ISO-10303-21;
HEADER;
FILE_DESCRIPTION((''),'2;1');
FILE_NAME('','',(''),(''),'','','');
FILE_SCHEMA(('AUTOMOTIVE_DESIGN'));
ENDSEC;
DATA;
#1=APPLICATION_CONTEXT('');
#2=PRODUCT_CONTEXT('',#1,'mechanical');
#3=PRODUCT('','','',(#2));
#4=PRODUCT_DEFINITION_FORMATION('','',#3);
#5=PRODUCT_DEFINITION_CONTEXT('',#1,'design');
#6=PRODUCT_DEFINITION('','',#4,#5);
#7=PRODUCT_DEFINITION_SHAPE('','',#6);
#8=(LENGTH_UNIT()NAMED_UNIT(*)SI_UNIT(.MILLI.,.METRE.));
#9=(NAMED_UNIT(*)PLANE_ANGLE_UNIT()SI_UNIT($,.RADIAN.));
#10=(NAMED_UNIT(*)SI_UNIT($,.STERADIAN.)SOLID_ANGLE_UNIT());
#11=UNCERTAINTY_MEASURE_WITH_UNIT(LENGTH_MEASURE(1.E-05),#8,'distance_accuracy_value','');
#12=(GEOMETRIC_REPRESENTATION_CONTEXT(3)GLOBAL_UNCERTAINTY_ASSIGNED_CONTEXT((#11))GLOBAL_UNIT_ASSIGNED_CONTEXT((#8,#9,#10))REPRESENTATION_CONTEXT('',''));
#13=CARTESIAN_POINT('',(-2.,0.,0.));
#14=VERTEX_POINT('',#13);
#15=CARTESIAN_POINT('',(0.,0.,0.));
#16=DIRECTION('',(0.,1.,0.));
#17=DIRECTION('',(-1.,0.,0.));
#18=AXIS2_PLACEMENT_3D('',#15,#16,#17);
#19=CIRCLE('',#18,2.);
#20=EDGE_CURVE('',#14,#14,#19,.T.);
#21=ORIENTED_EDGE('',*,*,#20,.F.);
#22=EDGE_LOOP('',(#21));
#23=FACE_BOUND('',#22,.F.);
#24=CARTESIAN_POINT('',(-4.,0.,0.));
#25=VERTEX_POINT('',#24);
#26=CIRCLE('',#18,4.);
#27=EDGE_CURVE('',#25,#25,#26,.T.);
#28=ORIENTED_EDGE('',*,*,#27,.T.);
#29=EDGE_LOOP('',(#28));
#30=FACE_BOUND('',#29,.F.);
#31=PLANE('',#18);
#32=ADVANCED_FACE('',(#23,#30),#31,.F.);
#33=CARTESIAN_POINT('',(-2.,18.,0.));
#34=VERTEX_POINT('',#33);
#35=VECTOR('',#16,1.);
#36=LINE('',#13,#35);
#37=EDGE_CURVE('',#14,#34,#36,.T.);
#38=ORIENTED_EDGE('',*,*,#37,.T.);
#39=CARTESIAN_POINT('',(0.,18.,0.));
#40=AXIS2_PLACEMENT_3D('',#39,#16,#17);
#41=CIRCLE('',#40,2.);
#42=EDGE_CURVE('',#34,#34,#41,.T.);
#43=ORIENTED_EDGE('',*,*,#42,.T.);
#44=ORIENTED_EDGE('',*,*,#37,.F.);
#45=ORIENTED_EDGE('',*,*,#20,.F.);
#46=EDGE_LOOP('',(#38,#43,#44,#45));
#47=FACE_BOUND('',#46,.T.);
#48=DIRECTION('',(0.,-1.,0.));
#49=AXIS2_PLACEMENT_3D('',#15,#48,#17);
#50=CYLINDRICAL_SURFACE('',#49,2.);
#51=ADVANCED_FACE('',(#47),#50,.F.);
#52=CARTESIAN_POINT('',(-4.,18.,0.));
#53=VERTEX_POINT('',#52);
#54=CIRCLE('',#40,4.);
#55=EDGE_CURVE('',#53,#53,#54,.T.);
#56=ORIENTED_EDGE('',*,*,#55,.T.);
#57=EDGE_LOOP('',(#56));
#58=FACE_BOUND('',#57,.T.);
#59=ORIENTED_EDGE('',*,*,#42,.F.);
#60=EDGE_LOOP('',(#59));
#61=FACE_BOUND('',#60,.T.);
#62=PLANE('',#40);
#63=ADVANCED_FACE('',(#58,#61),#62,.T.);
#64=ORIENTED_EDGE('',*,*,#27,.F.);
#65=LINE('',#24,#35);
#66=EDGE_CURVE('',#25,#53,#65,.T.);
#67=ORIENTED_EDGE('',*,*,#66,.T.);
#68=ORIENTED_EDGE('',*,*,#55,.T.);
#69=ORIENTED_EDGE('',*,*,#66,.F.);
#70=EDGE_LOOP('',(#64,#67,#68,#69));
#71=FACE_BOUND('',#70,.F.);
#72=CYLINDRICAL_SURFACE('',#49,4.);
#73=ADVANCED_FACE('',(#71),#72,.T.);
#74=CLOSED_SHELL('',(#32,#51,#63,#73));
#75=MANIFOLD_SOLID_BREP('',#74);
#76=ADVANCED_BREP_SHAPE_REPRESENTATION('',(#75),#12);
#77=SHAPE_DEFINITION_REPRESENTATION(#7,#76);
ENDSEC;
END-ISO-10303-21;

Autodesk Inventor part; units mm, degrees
ref_plane "YZ Plane" through (0, 0, 0) normal (1, 0, 0) x (0, 1, 0)
ref_plane "XZ Plane" through (0, 0, 0) normal (0, 1, 0) x (-1, 0, 0)
ref_plane "XY Plane" through (0, 0, 0) normal (0, 0, 1) x (1, 0, 0)
sketch "Sketch1" plane through (0, 0, 0) normal (0, 1, 0) x (-1, 0, 0)
  circle A0 centre (0, 0) radius 2
  circle A1 centre (0, 0) radius 4
  dimension "d0" = 4
  dimension "d1" = 8
extrude "Extrusion1" add sketch "Sketch1" along normal blind 18
properties part number "pillar1"
